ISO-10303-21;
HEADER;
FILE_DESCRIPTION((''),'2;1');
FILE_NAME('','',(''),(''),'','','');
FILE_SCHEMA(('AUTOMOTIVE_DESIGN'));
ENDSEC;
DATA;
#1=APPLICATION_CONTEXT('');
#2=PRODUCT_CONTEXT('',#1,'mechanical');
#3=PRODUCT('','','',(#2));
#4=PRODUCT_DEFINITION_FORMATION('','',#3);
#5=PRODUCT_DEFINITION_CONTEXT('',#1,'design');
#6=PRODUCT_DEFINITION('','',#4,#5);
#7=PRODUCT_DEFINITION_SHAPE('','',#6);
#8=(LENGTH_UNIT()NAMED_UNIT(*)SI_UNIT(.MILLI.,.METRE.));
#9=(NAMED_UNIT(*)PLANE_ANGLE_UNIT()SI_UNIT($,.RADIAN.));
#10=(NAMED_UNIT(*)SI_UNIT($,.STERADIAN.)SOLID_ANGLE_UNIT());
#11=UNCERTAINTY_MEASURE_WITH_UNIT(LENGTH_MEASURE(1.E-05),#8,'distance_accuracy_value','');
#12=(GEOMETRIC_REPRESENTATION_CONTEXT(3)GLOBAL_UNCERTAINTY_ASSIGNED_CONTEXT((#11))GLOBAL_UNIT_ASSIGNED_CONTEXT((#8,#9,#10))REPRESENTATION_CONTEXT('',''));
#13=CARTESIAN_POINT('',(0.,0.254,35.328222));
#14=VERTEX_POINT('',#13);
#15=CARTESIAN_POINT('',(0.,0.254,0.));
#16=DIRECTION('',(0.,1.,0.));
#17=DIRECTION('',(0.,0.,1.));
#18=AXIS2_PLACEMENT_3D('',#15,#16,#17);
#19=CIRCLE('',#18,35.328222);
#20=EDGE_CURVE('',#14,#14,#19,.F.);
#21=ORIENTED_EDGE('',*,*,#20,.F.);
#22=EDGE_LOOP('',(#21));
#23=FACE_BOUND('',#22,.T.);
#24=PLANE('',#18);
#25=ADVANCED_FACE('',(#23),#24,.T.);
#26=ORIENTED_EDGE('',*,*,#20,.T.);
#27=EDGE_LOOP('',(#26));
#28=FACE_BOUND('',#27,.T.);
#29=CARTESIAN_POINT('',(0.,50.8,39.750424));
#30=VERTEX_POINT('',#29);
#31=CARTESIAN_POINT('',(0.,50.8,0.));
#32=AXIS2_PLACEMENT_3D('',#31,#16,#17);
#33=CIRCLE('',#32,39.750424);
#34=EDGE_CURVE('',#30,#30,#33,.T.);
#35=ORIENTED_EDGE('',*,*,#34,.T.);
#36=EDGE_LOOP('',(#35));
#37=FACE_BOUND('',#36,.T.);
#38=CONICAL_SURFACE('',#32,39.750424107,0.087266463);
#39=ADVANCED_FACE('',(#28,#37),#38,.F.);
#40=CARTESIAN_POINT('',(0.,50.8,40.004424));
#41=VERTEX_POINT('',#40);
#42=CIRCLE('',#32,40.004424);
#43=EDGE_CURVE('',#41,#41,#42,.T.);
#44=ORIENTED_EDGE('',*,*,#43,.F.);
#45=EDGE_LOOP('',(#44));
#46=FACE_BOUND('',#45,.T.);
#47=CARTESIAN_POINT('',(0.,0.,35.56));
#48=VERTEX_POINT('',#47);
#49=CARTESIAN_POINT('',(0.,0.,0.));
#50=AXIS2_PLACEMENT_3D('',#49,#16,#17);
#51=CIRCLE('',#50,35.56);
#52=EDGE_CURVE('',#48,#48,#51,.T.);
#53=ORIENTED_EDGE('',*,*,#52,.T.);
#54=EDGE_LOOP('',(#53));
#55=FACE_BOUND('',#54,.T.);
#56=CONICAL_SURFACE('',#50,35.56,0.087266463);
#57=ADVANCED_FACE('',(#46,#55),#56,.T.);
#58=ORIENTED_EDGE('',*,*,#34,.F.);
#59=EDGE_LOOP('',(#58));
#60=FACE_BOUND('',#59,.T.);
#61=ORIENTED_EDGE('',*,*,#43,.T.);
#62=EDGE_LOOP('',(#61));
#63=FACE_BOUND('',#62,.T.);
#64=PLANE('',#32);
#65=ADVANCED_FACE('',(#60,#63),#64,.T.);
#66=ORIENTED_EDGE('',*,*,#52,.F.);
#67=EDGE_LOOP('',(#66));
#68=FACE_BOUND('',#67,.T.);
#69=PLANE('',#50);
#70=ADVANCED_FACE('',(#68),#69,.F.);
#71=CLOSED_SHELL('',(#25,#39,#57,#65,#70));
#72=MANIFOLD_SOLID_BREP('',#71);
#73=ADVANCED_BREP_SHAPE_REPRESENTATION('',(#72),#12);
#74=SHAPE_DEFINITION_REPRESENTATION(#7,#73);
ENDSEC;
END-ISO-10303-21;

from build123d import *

# Parameters (mm, degrees)
SKETCH1_R           = 35.56
BOSS_EXTRUDE1_DEPTH = 50.8
BOSS_EXTRUDE1_DRAFT = -5
SKETCH2_R           = 39.750424107
CUT_EXTRUDE1_DEPTH  = 50.546
CUT_EXTRUDE1_DRAFT  = -5


with BuildPart() as part:
    # Sketch1 → Boss-Extrude1 (with draft: the straight prism first)
    with BuildSketch(Plane(origin=(0, 0, 0), x_dir=(1, 0, 0), z_dir=(0, 1, 0))):
        Circle(SKETCH1_R)
    extrude(amount=BOSS_EXTRUDE1_DEPTH)
    # Boss-Extrude1: the draft: its side faces are tilted about the plane it starts from
    boss_extrude1_sides = [part.faces().sort_by_distance(p)[0] for p in [
        (-35.56, 25.4, 0),
    ]]
    draft(boss_extrude1_sides, Plane(origin=(0, 0, 0), x_dir=(1, 0, 0), z_dir=(0, 1, 0)), BOSS_EXTRUDE1_DRAFT)


with BuildPart() as cut_extrude1_tool:
    # Sketch2 → Cut-Extrude1 (with draft: the straight prism first)
    with BuildSketch(Plane(origin=(0, 50.8, 0), x_dir=(1, 0, 0), z_dir=(0, 1, 0))):
        Circle(SKETCH2_R)
    extrude(amount=-CUT_EXTRUDE1_DEPTH)
    # Cut-Extrude1: the draft: its side faces are tilted about the plane it starts from
    cut_extrude1_sides = [cut_extrude1_tool.faces().sort_by_distance(p)[0] for p in [
        (-39.750424107, 25.527, 0),
    ]]
    draft(cut_extrude1_sides, Plane(origin=(0, 50.8, 0), x_dir=(1, 0, 0), z_dir=(0, 1, 0)), CUT_EXTRUDE1_DRAFT)


with BuildPart() as part_1:
    add(part.part)

    # Cut-Extrude1: cut by cut_extrude1_tool
    add(cut_extrude1_tool.part, mode=Mode.SUBTRACT)


solid = part_1.part
